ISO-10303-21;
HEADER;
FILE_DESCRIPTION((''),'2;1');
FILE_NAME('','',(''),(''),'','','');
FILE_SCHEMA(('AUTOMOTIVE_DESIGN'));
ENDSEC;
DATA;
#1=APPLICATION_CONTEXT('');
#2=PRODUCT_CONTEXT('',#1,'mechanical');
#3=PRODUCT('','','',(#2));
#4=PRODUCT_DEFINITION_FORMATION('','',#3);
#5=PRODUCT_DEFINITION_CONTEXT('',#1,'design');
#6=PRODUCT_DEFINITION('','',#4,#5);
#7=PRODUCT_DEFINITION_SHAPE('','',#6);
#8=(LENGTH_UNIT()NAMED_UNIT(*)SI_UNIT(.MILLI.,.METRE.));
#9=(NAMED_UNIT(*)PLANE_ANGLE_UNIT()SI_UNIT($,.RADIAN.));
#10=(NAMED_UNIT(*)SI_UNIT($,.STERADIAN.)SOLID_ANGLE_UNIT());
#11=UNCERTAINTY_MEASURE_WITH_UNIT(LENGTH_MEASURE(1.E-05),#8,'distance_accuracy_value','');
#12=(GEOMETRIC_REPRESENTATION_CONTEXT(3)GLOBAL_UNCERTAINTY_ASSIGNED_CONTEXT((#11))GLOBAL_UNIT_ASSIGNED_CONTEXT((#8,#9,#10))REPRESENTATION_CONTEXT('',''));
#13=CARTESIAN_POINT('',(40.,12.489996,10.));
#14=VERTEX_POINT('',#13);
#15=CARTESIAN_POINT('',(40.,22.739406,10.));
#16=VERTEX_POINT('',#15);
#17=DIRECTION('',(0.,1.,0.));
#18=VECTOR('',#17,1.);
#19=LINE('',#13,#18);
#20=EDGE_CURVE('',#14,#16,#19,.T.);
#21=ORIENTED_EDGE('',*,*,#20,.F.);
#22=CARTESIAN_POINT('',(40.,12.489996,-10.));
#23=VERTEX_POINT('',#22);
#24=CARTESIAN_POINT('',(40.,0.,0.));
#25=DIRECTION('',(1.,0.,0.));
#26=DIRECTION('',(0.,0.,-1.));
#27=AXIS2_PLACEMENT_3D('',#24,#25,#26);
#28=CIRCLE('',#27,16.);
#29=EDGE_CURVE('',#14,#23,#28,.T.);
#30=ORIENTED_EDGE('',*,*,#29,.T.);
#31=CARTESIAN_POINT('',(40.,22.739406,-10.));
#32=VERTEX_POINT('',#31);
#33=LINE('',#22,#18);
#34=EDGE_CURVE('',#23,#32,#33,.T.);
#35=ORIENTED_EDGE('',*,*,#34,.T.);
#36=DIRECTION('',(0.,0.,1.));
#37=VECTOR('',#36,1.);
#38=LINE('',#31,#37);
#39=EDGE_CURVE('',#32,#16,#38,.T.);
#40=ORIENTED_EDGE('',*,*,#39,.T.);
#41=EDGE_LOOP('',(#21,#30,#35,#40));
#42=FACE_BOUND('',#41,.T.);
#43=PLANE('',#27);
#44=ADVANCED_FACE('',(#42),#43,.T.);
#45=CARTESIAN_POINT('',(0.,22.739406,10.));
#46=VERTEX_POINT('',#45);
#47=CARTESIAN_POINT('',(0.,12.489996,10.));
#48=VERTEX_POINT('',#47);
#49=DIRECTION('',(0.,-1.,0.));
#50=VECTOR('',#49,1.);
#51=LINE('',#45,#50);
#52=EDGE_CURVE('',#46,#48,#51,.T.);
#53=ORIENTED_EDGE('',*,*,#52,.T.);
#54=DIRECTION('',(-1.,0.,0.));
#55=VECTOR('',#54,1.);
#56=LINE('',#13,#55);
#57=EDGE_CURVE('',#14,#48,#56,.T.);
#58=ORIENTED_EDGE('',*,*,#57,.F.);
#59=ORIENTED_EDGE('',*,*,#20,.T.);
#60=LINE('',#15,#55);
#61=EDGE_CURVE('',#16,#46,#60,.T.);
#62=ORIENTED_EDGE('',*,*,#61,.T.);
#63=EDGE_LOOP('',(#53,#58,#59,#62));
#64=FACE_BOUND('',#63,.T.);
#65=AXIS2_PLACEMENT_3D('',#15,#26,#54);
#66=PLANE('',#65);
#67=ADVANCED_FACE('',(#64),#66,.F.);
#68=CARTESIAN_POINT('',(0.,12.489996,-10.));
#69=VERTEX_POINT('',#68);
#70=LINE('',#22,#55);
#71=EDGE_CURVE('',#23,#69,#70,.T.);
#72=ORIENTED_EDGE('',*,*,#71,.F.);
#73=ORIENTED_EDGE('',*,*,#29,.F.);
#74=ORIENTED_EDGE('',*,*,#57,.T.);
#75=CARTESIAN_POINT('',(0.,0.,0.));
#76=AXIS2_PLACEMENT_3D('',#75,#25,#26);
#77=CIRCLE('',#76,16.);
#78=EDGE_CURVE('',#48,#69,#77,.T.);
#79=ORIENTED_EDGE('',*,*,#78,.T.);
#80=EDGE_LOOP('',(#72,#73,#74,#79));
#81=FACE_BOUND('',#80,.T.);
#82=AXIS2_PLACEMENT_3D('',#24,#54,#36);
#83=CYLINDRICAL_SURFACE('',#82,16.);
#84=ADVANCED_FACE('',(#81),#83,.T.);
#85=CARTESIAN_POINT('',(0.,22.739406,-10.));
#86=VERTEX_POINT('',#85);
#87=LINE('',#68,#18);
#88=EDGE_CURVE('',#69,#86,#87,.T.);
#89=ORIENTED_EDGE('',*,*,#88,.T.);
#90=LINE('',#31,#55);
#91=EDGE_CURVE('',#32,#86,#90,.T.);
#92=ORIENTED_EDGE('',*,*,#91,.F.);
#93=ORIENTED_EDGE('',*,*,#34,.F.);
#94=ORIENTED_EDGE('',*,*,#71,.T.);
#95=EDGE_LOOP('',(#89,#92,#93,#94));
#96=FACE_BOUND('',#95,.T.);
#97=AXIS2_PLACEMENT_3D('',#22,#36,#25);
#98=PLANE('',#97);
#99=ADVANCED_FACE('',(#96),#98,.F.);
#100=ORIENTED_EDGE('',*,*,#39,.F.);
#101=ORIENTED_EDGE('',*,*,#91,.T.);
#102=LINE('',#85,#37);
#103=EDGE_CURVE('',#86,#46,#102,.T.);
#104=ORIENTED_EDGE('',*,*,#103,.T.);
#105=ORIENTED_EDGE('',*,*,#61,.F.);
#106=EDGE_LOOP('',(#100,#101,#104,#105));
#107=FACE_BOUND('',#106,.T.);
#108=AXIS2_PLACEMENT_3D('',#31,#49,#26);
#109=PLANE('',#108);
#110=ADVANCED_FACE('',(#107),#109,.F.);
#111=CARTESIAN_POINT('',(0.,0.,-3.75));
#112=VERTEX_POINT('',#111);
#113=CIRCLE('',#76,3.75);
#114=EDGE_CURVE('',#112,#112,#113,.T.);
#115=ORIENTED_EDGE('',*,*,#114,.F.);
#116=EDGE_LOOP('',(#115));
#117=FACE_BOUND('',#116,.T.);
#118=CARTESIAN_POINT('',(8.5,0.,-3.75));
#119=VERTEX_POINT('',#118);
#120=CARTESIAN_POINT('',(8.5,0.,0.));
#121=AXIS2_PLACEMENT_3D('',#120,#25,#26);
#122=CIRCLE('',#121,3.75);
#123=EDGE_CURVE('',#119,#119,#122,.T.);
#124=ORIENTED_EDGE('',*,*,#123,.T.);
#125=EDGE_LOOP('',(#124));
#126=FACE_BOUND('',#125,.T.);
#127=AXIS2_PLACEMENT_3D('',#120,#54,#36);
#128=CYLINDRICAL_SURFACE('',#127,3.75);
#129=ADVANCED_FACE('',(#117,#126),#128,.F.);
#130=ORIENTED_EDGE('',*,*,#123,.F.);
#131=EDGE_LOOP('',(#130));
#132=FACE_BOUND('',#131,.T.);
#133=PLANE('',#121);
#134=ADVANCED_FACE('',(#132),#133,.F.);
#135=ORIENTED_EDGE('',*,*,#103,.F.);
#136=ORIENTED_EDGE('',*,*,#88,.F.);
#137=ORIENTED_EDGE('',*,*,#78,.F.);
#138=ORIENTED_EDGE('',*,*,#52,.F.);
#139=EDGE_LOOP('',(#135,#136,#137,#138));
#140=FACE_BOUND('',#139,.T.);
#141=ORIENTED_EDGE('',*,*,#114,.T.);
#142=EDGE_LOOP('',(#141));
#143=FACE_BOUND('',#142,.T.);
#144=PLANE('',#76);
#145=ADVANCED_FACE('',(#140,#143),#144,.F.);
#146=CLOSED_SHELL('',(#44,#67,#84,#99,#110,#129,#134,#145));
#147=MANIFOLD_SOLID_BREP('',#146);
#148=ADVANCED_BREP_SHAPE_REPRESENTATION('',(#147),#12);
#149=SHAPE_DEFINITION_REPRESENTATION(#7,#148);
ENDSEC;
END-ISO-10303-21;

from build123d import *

# Parameters (mm, degrees)
SKETCH2_R           = 16
BOSS_EXTRUDE1_DEPTH = 40
SKETCH3_R           = 3.75
CUT_EXTRUDE1_DEPTH  = 8.5
BOSS_EXTRUDE3_DEPTH = 40


with BuildPart() as part:
    # Sketch2 → Boss-Extrude1 (new body)
    with BuildSketch(Plane(origin=(0, 0, 0), x_dir=(0, 0, -1), z_dir=(1, 0, 0))):
        Circle(SKETCH2_R)
    extrude(amount=BOSS_EXTRUDE1_DEPTH)

    # Sketch3 → Cut-Extrude1 (cut)
    with BuildSketch(Plane(origin=(0, 0, 0), x_dir=(0, 0, -1), z_dir=(1, 0, 0))):
        Circle(SKETCH3_R)
    extrude(amount=CUT_EXTRUDE1_DEPTH, mode=Mode.SUBTRACT)

    # Sketch4 → Boss-Extrude3 (add, through all)
    with BuildSketch(Plane(origin=(0, 0, 0), x_dir=(0, 0, -1), z_dir=(1, 0, 0))):
        Polygon((10, 12.489995997), (-10, 12.489995997), (-10, 15.822191594), (-10, 22.739406358), (10, 22.739406358), align=None)
    extrude(amount=BOSS_EXTRUDE3_DEPTH)


solid = part.part
